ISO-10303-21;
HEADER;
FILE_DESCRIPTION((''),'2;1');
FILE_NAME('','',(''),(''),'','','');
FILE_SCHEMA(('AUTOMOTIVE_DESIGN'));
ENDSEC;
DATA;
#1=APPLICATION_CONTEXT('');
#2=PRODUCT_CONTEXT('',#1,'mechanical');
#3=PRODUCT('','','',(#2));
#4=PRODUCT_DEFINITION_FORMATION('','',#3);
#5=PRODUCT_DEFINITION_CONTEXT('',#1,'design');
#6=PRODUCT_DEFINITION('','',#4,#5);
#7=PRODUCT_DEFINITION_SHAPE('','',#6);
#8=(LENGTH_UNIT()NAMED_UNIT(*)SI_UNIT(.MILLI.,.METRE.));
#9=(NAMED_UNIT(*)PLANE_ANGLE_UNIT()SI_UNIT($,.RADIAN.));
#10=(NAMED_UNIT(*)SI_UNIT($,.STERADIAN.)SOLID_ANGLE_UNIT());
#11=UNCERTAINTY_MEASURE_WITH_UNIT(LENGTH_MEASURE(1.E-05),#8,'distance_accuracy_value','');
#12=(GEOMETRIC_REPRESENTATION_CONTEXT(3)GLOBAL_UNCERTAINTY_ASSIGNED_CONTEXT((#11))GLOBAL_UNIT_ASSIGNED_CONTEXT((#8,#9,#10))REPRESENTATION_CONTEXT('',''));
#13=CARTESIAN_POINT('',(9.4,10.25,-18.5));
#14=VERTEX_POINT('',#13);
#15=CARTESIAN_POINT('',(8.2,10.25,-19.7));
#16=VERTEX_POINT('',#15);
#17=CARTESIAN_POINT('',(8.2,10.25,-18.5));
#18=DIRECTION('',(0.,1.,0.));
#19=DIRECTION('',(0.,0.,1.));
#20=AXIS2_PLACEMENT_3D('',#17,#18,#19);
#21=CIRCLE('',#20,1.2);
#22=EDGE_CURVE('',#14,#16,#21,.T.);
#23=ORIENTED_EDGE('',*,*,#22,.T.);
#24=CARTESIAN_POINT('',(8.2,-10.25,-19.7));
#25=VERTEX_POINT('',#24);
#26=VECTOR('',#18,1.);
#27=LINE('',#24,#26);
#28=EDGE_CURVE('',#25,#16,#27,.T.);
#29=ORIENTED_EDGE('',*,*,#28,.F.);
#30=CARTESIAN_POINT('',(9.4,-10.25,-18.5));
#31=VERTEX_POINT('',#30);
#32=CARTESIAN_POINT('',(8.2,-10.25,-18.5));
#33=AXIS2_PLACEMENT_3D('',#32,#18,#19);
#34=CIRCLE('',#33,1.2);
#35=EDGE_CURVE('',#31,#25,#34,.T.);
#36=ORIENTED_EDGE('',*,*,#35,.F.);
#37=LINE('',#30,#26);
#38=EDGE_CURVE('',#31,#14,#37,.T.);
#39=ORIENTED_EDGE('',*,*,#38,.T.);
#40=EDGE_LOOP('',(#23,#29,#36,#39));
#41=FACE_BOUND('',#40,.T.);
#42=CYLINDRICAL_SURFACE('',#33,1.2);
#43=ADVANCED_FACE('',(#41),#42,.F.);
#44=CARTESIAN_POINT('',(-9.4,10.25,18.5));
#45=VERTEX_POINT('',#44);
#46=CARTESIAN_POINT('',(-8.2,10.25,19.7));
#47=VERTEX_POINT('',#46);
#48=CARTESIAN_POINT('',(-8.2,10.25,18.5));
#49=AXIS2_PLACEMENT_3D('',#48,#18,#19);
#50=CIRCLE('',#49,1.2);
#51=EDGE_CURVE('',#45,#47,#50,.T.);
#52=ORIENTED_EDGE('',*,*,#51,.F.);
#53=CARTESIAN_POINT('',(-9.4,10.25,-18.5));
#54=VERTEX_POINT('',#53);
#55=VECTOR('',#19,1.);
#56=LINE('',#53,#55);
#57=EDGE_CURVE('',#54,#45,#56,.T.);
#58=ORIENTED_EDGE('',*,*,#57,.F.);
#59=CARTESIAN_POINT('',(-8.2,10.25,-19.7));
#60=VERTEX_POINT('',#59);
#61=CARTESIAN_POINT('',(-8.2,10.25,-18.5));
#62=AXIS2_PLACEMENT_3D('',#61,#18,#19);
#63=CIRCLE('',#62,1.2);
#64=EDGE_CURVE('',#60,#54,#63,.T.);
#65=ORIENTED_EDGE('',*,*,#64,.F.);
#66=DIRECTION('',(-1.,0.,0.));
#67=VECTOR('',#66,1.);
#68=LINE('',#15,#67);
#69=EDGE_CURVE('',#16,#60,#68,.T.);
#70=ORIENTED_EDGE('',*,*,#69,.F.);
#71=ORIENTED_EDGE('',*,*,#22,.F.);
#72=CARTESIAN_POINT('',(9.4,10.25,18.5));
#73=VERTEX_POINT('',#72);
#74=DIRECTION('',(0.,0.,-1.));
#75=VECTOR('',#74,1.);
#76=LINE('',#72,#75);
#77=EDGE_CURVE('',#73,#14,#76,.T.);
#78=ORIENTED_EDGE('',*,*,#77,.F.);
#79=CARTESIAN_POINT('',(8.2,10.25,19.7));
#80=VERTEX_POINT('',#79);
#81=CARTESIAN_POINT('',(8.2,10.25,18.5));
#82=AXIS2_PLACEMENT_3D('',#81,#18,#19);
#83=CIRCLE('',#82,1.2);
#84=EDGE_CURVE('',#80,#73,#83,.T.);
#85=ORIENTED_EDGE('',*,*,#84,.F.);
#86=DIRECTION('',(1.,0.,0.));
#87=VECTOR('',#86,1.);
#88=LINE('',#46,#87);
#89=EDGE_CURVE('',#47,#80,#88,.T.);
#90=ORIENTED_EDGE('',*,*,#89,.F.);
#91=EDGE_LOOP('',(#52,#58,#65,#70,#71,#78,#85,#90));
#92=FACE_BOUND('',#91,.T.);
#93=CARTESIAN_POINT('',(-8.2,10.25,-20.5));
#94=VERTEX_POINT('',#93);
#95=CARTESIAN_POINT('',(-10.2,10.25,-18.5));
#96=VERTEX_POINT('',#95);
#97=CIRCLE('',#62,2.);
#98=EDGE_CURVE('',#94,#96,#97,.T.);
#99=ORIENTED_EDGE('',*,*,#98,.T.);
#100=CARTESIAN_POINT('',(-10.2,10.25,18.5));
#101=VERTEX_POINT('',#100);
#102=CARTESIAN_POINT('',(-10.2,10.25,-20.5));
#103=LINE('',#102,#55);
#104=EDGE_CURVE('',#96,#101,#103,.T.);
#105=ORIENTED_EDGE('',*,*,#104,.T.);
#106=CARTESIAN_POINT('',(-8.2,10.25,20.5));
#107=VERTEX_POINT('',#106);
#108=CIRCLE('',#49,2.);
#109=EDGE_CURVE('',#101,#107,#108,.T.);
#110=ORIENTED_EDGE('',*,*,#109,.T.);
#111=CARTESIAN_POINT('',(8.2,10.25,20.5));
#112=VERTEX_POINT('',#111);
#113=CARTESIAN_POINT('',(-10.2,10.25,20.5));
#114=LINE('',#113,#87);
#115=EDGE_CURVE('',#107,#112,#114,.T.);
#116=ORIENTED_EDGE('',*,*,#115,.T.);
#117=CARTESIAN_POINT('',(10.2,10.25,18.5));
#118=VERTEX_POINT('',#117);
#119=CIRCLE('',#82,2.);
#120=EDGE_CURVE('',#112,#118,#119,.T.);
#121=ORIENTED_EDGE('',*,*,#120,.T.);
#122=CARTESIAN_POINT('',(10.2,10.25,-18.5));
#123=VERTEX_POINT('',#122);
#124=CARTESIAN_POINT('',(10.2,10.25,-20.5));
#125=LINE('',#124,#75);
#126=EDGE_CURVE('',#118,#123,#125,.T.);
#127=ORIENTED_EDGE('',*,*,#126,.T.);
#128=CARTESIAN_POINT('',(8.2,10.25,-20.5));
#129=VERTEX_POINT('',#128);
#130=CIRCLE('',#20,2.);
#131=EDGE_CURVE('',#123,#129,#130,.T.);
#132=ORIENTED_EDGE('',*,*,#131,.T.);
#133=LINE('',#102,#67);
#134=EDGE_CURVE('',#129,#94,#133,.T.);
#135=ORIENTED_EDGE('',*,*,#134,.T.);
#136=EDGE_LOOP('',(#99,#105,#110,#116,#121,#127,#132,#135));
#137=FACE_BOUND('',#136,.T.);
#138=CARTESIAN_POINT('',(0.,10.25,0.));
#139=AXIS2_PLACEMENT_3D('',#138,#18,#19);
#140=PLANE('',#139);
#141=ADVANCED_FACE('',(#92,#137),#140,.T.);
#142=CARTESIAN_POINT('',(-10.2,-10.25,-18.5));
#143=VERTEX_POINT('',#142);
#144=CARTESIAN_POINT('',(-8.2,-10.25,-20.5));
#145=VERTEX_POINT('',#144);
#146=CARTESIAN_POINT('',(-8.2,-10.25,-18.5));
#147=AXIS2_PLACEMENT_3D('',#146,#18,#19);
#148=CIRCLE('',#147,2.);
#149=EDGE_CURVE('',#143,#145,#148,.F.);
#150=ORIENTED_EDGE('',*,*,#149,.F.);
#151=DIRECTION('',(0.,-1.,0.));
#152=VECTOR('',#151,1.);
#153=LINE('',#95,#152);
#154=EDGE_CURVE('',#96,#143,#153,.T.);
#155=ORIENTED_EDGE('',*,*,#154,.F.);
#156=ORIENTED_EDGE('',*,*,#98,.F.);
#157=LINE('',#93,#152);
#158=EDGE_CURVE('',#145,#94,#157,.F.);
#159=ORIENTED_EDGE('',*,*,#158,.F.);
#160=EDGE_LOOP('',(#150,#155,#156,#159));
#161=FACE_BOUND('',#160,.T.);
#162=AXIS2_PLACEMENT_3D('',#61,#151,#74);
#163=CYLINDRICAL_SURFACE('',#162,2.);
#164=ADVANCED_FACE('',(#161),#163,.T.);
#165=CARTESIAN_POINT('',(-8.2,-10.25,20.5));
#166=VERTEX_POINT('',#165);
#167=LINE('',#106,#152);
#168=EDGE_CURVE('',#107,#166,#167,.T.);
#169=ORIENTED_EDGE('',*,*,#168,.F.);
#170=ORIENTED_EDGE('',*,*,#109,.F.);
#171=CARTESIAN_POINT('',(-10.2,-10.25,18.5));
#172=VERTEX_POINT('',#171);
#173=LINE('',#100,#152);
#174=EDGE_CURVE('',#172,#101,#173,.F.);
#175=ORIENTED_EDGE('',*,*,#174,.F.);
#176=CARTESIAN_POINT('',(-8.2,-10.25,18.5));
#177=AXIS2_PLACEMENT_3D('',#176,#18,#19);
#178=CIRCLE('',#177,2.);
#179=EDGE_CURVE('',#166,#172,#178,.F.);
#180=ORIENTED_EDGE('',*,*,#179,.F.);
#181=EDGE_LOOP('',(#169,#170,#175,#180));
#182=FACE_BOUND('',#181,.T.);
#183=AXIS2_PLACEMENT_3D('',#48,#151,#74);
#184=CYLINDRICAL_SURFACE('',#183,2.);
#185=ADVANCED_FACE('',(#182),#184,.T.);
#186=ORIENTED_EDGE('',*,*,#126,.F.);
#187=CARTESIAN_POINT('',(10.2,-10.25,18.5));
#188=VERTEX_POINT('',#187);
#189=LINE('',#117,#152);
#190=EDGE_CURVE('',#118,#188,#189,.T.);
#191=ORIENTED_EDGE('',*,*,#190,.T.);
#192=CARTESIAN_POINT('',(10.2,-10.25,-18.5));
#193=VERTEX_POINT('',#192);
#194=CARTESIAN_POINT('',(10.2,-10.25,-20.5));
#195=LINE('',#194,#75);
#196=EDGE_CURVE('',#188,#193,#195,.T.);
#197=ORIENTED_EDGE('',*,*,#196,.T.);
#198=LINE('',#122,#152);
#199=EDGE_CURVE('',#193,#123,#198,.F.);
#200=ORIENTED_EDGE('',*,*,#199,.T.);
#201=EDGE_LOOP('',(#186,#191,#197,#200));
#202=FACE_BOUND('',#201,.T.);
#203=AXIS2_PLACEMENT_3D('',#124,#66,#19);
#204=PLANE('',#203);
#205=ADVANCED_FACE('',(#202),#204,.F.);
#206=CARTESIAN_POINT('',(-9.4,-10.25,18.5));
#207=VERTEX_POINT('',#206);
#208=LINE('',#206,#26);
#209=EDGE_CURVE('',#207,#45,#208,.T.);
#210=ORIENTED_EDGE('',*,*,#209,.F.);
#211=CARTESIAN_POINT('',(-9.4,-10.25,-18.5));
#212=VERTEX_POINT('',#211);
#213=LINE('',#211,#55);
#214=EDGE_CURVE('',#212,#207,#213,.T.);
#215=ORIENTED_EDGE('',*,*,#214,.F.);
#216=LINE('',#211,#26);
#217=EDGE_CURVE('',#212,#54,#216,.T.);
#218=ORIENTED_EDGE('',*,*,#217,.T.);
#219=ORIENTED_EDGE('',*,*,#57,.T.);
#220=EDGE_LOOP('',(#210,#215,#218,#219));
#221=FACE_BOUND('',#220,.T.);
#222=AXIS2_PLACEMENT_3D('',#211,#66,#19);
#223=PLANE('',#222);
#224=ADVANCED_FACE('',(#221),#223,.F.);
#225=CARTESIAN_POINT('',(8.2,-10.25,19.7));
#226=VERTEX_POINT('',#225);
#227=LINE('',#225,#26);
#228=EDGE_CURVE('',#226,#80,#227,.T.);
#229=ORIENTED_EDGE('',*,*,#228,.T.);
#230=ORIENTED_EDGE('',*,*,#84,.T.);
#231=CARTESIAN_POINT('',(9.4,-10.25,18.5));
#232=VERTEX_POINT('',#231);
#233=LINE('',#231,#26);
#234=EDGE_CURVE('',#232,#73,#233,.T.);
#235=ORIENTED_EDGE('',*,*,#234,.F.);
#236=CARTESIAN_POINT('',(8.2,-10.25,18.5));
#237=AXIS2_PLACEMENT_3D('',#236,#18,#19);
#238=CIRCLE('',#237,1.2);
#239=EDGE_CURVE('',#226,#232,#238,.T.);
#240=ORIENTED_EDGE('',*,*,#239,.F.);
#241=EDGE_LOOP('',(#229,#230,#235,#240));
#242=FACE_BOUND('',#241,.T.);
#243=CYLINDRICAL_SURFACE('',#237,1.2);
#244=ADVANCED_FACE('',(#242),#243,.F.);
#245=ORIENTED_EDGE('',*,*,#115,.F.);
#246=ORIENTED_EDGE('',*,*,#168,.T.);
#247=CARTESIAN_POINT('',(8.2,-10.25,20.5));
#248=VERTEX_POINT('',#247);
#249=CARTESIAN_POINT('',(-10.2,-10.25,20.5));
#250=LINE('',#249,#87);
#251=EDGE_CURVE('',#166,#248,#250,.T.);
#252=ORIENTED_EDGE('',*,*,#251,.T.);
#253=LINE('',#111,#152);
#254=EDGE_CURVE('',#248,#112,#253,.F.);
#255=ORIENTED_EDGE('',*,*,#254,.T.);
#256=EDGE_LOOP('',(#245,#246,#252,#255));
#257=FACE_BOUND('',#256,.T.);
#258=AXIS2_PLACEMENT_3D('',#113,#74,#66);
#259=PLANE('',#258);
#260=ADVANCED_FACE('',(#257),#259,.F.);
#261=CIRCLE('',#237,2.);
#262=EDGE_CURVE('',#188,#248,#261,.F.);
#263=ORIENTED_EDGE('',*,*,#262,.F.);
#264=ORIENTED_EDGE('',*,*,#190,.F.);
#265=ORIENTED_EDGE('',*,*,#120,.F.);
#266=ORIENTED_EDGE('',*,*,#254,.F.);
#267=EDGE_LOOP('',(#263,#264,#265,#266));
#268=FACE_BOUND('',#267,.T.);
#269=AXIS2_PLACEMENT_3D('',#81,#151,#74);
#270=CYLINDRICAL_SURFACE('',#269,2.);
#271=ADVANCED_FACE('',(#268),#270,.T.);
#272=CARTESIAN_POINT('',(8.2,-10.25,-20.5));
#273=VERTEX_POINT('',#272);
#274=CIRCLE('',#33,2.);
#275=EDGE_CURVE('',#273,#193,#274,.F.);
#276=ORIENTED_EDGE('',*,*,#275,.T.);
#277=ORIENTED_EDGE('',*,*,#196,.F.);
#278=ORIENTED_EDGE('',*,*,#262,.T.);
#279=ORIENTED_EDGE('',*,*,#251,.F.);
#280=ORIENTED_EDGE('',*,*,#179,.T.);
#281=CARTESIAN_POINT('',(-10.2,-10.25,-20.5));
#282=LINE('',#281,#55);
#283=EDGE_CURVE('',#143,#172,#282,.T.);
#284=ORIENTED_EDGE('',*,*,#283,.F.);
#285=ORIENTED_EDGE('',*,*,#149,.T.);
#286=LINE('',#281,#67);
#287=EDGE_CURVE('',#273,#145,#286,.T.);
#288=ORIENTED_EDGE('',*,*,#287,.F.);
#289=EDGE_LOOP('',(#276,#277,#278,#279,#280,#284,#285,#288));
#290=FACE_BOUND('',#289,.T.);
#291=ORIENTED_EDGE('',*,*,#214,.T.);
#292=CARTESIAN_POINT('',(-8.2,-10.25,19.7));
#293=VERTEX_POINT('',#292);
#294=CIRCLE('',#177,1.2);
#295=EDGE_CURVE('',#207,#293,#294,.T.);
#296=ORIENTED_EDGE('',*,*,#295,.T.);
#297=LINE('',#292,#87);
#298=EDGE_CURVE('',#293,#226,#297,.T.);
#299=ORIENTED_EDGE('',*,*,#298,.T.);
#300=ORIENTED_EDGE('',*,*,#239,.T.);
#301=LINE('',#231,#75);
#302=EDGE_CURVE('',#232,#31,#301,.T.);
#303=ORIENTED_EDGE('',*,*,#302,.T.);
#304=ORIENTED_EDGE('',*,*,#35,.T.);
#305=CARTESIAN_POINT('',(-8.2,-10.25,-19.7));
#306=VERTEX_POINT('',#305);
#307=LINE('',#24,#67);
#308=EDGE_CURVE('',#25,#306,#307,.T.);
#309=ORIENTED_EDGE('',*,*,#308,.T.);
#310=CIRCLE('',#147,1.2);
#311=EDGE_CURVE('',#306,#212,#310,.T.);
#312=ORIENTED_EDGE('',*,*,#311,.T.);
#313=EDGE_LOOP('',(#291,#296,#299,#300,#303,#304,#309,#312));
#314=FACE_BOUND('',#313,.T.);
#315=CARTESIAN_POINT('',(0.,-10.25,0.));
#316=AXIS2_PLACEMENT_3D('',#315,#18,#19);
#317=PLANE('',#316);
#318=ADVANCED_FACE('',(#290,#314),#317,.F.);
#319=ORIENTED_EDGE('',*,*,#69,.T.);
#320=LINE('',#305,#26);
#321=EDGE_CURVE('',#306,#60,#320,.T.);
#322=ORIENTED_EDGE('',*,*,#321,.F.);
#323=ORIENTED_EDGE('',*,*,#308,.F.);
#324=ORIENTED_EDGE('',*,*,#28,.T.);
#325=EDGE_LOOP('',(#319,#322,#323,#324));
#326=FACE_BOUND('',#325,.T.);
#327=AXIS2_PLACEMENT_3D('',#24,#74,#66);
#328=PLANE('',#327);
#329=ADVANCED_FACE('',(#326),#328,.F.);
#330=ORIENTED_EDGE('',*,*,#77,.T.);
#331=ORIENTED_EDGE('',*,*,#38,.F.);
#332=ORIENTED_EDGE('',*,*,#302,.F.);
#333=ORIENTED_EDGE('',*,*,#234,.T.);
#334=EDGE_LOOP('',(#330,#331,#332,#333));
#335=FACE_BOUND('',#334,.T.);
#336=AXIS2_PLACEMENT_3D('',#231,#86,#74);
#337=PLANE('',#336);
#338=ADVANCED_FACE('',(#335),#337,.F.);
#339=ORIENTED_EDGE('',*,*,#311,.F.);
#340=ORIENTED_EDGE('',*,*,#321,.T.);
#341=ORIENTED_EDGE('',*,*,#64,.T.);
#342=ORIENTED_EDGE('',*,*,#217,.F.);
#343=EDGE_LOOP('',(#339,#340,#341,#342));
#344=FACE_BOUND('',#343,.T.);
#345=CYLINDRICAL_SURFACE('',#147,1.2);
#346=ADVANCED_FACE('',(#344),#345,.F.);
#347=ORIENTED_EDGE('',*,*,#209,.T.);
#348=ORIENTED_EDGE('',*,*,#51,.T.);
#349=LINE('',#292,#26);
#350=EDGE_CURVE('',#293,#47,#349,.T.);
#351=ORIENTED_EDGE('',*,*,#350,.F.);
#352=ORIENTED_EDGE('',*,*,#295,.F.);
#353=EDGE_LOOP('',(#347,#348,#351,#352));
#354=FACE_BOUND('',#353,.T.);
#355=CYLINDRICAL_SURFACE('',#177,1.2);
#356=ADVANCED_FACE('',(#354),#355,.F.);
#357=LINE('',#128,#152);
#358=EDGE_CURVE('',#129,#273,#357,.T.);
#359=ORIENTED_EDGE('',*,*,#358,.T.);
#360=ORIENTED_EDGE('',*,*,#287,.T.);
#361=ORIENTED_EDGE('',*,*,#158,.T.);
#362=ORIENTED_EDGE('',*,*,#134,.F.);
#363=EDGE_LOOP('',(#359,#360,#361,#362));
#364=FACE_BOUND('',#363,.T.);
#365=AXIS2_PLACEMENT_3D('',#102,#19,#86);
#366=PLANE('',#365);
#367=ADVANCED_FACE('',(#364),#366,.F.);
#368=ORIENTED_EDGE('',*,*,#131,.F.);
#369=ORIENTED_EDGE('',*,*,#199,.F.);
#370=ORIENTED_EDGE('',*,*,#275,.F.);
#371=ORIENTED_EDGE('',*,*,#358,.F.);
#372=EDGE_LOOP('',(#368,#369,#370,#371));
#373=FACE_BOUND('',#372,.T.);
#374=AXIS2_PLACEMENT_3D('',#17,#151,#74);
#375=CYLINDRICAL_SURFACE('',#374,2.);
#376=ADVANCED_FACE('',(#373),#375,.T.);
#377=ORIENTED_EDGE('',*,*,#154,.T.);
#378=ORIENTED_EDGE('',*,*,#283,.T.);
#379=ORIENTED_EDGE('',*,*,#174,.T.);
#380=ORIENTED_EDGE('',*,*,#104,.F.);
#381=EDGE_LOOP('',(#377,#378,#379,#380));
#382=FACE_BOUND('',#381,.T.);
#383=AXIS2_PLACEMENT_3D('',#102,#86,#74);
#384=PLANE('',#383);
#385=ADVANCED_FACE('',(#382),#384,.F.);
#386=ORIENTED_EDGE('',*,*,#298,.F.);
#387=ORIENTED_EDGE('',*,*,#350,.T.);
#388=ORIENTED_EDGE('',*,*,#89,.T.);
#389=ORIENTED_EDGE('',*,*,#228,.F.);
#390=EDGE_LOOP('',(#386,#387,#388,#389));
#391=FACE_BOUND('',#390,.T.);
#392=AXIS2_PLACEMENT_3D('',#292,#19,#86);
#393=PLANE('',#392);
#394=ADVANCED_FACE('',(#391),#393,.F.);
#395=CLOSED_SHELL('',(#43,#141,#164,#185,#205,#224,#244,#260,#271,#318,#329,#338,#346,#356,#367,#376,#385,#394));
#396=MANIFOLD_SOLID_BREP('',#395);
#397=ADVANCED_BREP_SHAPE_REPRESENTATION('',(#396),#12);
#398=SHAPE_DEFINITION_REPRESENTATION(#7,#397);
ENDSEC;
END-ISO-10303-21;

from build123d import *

# Parameters (mm, degrees)
BASES_W            = 20.4
BASES_H            = 41
BASE_DEPTH         = 10.25
BASE_F_R           = 2
CUT_EXTRUDE3_DEPTH = 21.5


with BuildPart() as part:
    # BaseS → BASE (new body, symmetric)
    with BuildSketch(Plane(origin=(0, 0, 0), x_dir=(1, 0, 0), z_dir=(0, 1, 0))):
        Rectangle(BASES_W, BASES_H)
    extrude(amount=BASE_DEPTH, both=True)

    # BASE F
    base_f_edges = [part.edges().sort_by_distance(p)[0] for p in [
        (10.2, 0, 20.5),
        (-10.2, 0, 20.5),
        (-10.2, 0, -20.5),
        (10.2, 0, -20.5),
    ]]
    fillet(base_f_edges, radius=BASE_F_R)

    # PocketS → Cut-Extrude3 (cut, through all)
    with BuildSketch(Plane(origin=(0, 10.25, 0), x_dir=(1, 0, 0), z_dir=(0, 1, 0))):
        with BuildLine():
            Line((8.2, 19.7), (-8.2, 19.7))
            ThreePointArc((-8.2, 19.7), (-9.048528137, 19.348528137), (-9.4, 18.5))
            Line((-9.4, 18.5), (-9.4, -18.5))
            ThreePointArc((-9.4, -18.5), (-9.048528137, -19.348528137), (-8.2, -19.7))
            Line((-8.2, -19.7), (8.2, -19.7))
            ThreePointArc((8.2, -19.7), (9.048528137, -19.348528137), (9.4, -18.5))
            Line((9.4, -18.5), (9.4, 18.5))
            ThreePointArc((9.4, 18.5), (9.048528137, 19.348528137), (8.2, 19.7))
        make_face()
    extrude(amount=-CUT_EXTRUDE3_DEPTH, mode=Mode.SUBTRACT)


solid = part.part
